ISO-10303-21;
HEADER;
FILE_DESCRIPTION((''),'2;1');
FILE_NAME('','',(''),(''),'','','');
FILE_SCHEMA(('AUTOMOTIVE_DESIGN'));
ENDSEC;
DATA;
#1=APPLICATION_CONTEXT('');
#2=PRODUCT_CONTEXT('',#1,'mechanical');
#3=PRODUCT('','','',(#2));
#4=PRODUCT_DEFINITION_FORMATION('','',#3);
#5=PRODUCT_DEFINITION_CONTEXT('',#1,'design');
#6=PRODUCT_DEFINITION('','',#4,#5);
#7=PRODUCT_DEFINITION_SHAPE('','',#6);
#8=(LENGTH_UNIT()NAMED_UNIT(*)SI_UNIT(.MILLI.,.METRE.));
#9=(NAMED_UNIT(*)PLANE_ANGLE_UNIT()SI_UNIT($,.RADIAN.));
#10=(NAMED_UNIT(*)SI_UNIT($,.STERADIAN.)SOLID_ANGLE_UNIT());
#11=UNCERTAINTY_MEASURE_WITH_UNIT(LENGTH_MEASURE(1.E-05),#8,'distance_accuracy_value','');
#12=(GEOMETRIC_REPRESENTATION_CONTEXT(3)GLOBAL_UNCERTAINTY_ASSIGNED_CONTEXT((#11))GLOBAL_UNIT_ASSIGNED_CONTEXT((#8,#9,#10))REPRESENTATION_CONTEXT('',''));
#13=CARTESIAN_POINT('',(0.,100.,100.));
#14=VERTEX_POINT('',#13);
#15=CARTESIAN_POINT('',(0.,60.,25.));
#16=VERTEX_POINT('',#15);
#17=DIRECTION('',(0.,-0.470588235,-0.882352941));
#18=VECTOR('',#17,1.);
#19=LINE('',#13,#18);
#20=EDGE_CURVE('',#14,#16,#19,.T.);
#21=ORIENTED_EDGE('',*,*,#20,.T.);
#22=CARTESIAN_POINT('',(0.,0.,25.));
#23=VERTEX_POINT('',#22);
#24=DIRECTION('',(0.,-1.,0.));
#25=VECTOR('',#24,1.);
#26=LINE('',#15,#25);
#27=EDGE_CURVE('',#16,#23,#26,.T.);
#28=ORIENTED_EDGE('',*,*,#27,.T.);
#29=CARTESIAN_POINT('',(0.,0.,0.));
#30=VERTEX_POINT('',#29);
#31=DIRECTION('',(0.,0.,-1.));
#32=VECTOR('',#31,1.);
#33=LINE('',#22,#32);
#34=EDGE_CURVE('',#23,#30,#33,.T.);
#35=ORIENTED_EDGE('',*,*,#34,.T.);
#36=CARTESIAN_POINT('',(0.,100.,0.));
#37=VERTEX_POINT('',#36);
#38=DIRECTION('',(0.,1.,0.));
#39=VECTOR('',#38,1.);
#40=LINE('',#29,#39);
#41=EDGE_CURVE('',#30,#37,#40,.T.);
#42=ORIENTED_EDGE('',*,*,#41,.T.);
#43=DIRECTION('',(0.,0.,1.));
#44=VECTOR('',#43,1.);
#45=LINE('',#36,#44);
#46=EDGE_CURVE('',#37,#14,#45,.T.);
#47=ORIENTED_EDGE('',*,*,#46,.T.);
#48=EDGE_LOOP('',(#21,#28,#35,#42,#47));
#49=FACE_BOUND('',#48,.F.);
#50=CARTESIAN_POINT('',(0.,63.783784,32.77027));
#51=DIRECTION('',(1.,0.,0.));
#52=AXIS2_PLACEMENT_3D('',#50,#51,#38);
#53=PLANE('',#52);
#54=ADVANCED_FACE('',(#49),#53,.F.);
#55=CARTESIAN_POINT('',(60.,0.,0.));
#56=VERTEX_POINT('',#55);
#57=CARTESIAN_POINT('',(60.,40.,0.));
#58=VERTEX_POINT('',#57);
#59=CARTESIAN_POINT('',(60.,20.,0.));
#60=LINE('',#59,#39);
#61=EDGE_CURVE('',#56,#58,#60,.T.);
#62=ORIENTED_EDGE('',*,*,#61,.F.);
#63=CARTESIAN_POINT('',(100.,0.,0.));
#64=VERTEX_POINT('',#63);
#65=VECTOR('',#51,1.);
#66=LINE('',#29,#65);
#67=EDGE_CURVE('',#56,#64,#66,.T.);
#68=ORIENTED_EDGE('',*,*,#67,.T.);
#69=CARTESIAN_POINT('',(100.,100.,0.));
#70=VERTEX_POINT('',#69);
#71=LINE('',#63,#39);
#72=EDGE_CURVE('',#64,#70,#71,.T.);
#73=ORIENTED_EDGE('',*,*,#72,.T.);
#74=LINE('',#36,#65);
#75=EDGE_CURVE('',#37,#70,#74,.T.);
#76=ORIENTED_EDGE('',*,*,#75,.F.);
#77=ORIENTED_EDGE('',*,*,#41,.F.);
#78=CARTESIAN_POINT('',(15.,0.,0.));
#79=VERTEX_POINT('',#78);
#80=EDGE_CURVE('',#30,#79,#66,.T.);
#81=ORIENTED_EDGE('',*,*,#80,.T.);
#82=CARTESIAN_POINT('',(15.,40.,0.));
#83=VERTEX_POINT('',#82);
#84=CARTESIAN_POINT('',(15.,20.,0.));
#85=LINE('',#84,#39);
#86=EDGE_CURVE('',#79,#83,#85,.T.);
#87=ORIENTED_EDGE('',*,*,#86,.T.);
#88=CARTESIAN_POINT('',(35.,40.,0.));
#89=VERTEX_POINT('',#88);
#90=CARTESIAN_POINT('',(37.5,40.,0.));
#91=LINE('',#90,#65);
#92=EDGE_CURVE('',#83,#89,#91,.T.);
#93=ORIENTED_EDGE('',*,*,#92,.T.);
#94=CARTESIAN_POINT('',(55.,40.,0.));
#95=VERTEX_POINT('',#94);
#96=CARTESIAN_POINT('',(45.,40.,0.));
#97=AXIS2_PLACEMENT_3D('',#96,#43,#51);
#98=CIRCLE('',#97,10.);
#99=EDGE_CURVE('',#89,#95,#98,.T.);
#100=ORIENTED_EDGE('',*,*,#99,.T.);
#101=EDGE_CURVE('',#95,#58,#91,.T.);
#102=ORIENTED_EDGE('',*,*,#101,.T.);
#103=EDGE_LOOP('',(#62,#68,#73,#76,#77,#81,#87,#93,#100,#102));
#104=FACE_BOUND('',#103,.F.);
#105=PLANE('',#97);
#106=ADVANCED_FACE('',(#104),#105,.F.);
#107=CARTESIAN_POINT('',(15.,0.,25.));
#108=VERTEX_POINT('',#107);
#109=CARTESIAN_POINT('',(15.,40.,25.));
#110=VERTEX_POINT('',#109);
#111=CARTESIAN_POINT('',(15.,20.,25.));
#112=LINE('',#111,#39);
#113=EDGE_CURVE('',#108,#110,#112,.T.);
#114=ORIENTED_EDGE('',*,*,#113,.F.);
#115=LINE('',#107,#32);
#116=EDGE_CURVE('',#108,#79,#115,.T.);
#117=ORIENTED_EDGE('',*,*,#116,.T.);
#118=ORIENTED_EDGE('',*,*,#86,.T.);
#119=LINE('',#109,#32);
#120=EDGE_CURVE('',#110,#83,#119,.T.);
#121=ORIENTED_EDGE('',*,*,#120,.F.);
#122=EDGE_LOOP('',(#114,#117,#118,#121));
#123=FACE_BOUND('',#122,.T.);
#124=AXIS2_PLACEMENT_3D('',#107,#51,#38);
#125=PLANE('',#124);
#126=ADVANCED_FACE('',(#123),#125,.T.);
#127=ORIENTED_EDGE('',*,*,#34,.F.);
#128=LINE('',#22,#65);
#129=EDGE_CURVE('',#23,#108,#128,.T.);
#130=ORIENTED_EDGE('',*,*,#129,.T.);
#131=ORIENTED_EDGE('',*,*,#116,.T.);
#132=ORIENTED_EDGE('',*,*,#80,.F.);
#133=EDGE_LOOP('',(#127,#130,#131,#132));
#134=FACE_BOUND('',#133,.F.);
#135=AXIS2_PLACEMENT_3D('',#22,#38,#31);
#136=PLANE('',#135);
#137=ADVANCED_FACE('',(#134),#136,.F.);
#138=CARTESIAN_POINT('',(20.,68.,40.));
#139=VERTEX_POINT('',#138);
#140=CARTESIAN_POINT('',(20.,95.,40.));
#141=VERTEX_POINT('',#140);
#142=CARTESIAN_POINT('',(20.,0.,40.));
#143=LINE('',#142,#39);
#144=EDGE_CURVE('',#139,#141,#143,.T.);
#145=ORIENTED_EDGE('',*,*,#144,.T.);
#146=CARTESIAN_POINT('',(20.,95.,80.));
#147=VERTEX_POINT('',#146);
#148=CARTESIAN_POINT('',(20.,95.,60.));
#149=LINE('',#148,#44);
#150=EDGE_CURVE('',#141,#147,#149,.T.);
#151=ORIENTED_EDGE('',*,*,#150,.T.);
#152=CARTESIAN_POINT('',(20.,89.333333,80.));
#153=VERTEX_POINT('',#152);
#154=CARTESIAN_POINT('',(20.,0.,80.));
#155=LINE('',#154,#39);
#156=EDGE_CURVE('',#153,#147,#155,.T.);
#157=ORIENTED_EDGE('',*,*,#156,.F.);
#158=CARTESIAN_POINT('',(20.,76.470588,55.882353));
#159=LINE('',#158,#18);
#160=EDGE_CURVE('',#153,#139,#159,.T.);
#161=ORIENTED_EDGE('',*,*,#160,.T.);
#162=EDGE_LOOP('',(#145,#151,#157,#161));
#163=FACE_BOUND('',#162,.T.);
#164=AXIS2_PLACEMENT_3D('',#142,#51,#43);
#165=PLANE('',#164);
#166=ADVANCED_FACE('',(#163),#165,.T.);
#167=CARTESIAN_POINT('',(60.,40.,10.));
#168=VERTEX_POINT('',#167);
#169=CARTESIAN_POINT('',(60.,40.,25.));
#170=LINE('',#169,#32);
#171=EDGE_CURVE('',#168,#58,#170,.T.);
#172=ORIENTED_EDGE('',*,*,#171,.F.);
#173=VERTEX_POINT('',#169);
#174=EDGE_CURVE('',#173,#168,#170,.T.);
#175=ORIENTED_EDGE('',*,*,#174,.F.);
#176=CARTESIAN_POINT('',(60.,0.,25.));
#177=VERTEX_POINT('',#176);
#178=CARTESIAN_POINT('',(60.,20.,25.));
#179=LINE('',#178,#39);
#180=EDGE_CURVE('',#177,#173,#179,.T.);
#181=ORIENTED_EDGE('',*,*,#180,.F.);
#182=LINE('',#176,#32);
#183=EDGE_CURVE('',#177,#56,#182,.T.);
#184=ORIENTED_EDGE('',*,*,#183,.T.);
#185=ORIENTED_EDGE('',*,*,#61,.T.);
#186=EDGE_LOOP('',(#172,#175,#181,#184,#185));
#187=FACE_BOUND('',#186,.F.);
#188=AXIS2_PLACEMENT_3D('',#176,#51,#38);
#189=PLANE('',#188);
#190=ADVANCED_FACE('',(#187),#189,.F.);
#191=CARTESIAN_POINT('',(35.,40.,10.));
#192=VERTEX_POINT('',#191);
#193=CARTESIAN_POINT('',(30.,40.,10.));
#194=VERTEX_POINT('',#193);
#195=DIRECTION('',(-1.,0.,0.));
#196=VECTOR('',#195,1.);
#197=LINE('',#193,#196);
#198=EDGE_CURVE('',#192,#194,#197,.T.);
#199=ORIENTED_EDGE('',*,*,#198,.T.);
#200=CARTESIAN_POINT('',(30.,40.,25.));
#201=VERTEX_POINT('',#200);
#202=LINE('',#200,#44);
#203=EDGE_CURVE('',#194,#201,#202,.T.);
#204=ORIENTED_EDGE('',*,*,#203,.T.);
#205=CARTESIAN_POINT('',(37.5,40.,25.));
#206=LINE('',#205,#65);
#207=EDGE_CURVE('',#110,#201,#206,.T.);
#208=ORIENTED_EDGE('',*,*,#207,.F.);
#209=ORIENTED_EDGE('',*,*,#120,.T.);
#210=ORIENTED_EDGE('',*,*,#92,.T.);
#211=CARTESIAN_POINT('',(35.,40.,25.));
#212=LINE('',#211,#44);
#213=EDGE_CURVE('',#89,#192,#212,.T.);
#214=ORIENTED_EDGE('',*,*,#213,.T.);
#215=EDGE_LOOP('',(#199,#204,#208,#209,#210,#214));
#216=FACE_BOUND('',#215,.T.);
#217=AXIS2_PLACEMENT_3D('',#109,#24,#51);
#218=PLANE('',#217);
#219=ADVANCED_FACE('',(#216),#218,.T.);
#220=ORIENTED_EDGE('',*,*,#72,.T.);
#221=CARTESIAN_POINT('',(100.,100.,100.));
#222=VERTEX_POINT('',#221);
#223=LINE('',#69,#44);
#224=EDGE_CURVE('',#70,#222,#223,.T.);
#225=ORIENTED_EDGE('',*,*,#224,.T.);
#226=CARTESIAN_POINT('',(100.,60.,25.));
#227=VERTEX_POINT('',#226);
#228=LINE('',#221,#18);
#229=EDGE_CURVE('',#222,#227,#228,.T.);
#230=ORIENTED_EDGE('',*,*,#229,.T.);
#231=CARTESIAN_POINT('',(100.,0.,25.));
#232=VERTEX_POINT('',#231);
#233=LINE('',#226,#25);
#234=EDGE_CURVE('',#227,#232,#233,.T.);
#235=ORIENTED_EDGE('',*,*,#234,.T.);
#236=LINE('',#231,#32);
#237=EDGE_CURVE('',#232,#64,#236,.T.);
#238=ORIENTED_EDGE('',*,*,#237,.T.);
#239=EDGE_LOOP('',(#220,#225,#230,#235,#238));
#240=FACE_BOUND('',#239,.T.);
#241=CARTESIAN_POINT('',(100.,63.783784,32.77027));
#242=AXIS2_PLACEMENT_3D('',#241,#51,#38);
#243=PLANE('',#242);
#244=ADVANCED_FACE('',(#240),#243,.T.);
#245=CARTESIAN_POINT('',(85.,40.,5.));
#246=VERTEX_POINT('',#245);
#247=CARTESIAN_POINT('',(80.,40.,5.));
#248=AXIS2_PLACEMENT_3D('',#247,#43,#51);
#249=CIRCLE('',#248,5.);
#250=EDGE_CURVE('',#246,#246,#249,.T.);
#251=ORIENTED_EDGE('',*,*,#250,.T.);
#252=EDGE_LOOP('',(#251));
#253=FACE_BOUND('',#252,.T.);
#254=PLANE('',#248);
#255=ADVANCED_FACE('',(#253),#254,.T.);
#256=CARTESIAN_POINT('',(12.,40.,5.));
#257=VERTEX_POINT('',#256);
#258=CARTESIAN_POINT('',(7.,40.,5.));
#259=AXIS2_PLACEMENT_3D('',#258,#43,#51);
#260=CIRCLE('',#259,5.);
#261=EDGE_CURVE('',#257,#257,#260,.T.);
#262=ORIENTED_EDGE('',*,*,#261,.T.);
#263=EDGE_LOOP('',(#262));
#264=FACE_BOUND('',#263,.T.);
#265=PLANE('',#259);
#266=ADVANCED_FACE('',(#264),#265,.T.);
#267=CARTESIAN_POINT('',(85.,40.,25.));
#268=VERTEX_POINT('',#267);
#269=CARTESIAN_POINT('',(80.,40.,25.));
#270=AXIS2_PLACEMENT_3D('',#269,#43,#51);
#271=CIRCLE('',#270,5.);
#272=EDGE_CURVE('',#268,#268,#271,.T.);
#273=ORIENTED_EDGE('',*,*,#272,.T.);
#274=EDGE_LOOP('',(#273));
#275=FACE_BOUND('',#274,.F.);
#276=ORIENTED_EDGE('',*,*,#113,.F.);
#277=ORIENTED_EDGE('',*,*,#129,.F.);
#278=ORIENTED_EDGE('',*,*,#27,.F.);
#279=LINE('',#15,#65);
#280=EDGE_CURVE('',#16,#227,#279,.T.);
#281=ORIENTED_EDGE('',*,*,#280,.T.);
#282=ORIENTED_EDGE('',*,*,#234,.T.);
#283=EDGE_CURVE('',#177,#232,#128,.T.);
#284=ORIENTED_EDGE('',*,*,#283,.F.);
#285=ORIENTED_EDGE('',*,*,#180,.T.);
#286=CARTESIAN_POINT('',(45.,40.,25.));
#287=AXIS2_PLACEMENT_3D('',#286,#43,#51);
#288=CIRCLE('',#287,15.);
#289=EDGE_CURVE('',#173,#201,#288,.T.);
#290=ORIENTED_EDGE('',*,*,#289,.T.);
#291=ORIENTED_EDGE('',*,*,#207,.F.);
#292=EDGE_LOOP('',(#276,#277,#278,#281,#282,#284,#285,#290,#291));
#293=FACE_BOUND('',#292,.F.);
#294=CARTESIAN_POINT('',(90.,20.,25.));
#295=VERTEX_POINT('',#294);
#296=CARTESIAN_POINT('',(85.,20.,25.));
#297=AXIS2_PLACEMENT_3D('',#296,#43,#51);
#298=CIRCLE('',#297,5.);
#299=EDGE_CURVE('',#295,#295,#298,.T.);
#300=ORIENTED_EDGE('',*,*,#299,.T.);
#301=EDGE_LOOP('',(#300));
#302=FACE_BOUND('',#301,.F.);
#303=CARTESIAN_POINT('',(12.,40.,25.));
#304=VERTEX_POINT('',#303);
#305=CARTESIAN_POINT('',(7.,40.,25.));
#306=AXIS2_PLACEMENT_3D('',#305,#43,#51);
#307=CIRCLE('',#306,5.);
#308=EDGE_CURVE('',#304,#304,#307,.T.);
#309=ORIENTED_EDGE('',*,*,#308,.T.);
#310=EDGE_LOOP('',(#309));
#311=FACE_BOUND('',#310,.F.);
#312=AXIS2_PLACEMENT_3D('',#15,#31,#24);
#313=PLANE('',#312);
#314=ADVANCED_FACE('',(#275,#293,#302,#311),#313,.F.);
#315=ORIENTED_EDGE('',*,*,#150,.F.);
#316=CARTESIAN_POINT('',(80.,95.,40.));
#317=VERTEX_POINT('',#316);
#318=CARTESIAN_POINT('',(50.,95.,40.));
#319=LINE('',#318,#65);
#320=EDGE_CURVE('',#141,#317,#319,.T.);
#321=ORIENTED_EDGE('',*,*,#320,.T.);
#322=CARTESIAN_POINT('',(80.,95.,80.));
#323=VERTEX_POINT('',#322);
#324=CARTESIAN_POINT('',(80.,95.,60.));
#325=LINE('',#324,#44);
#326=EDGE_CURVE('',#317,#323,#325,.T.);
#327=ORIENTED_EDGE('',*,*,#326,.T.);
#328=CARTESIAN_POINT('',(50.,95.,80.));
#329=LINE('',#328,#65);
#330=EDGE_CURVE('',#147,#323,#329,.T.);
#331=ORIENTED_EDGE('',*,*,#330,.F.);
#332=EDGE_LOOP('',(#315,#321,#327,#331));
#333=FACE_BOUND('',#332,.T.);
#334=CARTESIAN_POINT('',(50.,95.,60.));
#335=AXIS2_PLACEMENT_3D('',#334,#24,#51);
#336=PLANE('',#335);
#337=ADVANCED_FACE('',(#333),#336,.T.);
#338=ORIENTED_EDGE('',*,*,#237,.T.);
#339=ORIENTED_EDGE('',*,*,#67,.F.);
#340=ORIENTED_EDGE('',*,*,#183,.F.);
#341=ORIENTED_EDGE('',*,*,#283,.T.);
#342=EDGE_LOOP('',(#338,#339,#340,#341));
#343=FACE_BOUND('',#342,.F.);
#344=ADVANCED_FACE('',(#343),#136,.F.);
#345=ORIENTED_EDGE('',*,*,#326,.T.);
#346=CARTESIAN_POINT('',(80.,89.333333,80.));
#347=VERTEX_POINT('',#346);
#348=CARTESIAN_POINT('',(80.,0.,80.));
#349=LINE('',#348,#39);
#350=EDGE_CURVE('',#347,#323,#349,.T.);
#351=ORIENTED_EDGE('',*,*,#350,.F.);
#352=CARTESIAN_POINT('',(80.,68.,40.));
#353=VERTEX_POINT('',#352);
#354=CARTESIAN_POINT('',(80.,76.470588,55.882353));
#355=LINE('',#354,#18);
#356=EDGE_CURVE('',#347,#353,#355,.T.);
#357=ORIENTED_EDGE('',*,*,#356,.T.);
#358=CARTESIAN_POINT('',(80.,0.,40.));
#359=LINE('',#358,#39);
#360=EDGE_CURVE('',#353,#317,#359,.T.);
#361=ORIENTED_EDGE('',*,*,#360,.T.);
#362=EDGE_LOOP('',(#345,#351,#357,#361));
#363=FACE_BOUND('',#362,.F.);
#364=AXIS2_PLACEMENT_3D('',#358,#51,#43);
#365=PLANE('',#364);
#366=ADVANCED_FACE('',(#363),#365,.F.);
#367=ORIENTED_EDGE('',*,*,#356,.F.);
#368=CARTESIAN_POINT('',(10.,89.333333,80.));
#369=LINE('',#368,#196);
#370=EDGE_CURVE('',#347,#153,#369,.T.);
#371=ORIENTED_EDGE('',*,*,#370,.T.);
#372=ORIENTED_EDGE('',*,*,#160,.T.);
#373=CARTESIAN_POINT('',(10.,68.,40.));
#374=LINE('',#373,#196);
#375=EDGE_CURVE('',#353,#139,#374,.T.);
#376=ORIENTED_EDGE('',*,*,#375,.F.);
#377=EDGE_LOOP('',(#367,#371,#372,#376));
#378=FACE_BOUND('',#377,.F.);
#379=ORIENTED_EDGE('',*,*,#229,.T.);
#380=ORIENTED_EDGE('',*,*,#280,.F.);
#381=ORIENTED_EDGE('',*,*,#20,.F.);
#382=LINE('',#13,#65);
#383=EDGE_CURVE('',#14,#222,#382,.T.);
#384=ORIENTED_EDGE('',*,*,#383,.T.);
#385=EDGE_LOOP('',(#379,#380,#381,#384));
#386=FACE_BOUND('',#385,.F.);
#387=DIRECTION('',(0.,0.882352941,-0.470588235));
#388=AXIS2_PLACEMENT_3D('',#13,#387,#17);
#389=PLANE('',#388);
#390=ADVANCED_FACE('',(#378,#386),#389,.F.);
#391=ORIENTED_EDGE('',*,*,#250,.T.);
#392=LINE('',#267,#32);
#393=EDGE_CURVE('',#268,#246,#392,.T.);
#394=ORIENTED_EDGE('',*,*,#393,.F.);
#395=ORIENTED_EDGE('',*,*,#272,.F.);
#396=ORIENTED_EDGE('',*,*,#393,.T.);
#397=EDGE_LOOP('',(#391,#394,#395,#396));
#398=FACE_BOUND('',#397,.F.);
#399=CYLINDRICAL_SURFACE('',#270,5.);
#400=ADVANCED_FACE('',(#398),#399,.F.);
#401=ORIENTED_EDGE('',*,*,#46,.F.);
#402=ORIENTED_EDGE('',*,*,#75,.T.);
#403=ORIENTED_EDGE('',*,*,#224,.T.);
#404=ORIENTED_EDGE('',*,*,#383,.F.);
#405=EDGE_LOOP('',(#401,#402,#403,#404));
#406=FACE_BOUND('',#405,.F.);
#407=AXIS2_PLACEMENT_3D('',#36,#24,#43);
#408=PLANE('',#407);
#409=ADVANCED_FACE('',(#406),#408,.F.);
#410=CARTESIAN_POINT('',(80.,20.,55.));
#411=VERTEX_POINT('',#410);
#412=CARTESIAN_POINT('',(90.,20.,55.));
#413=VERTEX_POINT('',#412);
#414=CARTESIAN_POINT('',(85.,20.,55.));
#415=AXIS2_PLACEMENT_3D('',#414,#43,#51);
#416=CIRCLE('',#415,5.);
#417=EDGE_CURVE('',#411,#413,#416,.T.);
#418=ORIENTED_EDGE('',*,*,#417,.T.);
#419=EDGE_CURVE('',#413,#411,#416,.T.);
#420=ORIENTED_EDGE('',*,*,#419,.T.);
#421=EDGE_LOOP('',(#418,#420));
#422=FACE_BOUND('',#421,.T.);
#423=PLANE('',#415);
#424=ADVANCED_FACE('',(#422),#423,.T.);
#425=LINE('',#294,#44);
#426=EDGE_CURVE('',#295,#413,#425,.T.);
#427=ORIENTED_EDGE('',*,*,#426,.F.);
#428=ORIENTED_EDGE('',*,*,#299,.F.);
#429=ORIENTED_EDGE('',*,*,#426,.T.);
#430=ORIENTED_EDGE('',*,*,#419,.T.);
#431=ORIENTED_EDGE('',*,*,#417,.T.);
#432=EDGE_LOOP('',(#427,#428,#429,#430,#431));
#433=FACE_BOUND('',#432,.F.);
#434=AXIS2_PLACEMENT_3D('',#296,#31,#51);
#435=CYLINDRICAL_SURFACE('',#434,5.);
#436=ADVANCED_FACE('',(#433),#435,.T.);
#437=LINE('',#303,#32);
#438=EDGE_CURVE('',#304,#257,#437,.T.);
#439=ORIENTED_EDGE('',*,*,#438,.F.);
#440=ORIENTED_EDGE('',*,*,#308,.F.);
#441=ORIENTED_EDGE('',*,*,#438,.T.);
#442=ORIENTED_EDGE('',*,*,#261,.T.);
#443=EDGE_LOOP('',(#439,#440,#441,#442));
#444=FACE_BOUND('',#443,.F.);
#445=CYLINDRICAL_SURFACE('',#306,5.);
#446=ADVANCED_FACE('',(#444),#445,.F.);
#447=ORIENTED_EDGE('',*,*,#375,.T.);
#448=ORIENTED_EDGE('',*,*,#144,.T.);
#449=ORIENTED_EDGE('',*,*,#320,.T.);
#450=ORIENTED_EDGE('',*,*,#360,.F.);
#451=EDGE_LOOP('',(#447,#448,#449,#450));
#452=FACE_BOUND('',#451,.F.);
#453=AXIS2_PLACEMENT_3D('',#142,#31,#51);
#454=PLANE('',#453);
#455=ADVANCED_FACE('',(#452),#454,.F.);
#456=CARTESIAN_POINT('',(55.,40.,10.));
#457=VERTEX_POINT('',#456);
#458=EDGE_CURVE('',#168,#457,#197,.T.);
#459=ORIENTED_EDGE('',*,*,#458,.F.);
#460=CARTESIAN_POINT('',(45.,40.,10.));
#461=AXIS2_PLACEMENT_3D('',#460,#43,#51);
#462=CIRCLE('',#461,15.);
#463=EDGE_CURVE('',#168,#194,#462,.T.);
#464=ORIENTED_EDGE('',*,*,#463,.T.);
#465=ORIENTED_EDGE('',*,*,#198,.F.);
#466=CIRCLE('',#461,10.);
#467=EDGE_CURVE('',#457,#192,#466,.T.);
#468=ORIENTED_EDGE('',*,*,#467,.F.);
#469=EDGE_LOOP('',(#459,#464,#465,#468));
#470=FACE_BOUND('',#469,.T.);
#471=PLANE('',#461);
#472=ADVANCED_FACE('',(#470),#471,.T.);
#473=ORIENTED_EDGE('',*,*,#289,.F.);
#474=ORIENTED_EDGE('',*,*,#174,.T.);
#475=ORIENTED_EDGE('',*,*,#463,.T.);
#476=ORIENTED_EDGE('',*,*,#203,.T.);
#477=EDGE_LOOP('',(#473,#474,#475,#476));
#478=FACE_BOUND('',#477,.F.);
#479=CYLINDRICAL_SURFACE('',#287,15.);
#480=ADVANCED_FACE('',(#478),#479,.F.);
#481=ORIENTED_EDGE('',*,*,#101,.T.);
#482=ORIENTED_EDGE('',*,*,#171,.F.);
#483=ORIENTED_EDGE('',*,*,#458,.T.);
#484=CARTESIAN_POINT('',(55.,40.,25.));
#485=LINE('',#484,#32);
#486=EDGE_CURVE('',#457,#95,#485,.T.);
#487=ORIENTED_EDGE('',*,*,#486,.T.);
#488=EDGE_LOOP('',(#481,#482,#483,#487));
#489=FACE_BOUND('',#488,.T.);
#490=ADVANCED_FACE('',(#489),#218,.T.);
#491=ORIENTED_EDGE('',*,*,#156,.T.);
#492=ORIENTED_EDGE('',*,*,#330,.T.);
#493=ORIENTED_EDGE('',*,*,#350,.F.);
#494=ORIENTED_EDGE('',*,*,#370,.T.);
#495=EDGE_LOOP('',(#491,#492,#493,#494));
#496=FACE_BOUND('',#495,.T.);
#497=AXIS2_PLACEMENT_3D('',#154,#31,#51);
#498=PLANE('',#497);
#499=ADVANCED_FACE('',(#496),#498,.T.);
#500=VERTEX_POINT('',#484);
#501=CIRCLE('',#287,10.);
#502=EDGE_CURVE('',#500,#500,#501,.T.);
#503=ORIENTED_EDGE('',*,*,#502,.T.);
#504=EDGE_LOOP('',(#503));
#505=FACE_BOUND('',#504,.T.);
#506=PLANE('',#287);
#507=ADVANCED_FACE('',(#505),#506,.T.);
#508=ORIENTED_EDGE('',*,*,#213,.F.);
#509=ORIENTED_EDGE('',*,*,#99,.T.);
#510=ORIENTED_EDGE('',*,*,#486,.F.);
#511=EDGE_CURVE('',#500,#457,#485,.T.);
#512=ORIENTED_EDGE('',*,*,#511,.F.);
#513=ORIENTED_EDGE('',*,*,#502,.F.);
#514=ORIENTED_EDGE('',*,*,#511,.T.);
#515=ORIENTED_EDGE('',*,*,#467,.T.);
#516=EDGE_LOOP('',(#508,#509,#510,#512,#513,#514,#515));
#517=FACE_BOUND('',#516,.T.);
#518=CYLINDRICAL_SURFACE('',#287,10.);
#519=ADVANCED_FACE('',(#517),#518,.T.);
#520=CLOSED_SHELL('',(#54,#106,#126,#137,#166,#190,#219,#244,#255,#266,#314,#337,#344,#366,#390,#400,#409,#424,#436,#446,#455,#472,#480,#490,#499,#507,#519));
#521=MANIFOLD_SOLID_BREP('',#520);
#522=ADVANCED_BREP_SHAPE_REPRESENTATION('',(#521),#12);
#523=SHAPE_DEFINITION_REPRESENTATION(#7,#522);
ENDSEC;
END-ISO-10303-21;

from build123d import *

# Parameters (mm, degrees)
F1_DEPTH  = 100
F2_R      = 5
F3_DEPTH  = 30
F4_R      = 5
F5_DEPTH  = 20
F6_W      = 60
F6_H      = 40
F7_DEPTH  = 95
F8_W      = 45
F8_H      = 40
F9_DEPTH  = 25
F10_R     = 15
F11_DEPTH = 15
F12_R     = 10
F13_DEPTH = 25


with BuildPart() as f1:
    # F0 (on Right) → F1 (new body)
    with BuildSketch(Plane.YZ):
        Polygon((0, 25), (0, 0), (100, 0), (100, 100), (60, 25), align=None)
    extrude(amount=F1_DEPTH)

    # F2 (on face) → F3 (join)
    with BuildSketch(Plane.XY.offset(25)):
        with Locations((85, 20)):
            Circle(F2_R)
    extrude(amount=F3_DEPTH)

    # F4 (on face) → F5 (cut)
    with BuildSketch(Plane.XY.offset(25)):
        with Locations((7, 40)):
            Circle(F4_R)
        with Locations((80, 40)):
            Circle(F4_R)
    extrude(amount=-F5_DEPTH, mode=Mode.SUBTRACT)

    # F6 (on Front) → F7 (cut)
    with BuildSketch(Plane.XZ):
        with Locations((50, 60)):
            Rectangle(F6_W, F6_H)
    extrude(amount=-F7_DEPTH, mode=Mode.SUBTRACT)

    # F8 (on face) → F9 (cut)
    with BuildSketch(Plane.XY.offset(25)):
        with Locations((37.5, 20)):
            Rectangle(F8_W, F8_H)
    extrude(amount=-F9_DEPTH, mode=Mode.SUBTRACT)

    # F10 (on face) → F11 (cut)
    with BuildSketch(Plane.XY.offset(25)):
        with Locations((45, 40)):
            Circle(F10_R)
    extrude(amount=-F11_DEPTH, mode=Mode.SUBTRACT)

    # F12 (on face) → F13 (join)
    with BuildSketch(Plane.XY.offset(25)):
        with Locations((45, 40)):
            Circle(F12_R)
    extrude(amount=-F13_DEPTH)


solid = f1.part
